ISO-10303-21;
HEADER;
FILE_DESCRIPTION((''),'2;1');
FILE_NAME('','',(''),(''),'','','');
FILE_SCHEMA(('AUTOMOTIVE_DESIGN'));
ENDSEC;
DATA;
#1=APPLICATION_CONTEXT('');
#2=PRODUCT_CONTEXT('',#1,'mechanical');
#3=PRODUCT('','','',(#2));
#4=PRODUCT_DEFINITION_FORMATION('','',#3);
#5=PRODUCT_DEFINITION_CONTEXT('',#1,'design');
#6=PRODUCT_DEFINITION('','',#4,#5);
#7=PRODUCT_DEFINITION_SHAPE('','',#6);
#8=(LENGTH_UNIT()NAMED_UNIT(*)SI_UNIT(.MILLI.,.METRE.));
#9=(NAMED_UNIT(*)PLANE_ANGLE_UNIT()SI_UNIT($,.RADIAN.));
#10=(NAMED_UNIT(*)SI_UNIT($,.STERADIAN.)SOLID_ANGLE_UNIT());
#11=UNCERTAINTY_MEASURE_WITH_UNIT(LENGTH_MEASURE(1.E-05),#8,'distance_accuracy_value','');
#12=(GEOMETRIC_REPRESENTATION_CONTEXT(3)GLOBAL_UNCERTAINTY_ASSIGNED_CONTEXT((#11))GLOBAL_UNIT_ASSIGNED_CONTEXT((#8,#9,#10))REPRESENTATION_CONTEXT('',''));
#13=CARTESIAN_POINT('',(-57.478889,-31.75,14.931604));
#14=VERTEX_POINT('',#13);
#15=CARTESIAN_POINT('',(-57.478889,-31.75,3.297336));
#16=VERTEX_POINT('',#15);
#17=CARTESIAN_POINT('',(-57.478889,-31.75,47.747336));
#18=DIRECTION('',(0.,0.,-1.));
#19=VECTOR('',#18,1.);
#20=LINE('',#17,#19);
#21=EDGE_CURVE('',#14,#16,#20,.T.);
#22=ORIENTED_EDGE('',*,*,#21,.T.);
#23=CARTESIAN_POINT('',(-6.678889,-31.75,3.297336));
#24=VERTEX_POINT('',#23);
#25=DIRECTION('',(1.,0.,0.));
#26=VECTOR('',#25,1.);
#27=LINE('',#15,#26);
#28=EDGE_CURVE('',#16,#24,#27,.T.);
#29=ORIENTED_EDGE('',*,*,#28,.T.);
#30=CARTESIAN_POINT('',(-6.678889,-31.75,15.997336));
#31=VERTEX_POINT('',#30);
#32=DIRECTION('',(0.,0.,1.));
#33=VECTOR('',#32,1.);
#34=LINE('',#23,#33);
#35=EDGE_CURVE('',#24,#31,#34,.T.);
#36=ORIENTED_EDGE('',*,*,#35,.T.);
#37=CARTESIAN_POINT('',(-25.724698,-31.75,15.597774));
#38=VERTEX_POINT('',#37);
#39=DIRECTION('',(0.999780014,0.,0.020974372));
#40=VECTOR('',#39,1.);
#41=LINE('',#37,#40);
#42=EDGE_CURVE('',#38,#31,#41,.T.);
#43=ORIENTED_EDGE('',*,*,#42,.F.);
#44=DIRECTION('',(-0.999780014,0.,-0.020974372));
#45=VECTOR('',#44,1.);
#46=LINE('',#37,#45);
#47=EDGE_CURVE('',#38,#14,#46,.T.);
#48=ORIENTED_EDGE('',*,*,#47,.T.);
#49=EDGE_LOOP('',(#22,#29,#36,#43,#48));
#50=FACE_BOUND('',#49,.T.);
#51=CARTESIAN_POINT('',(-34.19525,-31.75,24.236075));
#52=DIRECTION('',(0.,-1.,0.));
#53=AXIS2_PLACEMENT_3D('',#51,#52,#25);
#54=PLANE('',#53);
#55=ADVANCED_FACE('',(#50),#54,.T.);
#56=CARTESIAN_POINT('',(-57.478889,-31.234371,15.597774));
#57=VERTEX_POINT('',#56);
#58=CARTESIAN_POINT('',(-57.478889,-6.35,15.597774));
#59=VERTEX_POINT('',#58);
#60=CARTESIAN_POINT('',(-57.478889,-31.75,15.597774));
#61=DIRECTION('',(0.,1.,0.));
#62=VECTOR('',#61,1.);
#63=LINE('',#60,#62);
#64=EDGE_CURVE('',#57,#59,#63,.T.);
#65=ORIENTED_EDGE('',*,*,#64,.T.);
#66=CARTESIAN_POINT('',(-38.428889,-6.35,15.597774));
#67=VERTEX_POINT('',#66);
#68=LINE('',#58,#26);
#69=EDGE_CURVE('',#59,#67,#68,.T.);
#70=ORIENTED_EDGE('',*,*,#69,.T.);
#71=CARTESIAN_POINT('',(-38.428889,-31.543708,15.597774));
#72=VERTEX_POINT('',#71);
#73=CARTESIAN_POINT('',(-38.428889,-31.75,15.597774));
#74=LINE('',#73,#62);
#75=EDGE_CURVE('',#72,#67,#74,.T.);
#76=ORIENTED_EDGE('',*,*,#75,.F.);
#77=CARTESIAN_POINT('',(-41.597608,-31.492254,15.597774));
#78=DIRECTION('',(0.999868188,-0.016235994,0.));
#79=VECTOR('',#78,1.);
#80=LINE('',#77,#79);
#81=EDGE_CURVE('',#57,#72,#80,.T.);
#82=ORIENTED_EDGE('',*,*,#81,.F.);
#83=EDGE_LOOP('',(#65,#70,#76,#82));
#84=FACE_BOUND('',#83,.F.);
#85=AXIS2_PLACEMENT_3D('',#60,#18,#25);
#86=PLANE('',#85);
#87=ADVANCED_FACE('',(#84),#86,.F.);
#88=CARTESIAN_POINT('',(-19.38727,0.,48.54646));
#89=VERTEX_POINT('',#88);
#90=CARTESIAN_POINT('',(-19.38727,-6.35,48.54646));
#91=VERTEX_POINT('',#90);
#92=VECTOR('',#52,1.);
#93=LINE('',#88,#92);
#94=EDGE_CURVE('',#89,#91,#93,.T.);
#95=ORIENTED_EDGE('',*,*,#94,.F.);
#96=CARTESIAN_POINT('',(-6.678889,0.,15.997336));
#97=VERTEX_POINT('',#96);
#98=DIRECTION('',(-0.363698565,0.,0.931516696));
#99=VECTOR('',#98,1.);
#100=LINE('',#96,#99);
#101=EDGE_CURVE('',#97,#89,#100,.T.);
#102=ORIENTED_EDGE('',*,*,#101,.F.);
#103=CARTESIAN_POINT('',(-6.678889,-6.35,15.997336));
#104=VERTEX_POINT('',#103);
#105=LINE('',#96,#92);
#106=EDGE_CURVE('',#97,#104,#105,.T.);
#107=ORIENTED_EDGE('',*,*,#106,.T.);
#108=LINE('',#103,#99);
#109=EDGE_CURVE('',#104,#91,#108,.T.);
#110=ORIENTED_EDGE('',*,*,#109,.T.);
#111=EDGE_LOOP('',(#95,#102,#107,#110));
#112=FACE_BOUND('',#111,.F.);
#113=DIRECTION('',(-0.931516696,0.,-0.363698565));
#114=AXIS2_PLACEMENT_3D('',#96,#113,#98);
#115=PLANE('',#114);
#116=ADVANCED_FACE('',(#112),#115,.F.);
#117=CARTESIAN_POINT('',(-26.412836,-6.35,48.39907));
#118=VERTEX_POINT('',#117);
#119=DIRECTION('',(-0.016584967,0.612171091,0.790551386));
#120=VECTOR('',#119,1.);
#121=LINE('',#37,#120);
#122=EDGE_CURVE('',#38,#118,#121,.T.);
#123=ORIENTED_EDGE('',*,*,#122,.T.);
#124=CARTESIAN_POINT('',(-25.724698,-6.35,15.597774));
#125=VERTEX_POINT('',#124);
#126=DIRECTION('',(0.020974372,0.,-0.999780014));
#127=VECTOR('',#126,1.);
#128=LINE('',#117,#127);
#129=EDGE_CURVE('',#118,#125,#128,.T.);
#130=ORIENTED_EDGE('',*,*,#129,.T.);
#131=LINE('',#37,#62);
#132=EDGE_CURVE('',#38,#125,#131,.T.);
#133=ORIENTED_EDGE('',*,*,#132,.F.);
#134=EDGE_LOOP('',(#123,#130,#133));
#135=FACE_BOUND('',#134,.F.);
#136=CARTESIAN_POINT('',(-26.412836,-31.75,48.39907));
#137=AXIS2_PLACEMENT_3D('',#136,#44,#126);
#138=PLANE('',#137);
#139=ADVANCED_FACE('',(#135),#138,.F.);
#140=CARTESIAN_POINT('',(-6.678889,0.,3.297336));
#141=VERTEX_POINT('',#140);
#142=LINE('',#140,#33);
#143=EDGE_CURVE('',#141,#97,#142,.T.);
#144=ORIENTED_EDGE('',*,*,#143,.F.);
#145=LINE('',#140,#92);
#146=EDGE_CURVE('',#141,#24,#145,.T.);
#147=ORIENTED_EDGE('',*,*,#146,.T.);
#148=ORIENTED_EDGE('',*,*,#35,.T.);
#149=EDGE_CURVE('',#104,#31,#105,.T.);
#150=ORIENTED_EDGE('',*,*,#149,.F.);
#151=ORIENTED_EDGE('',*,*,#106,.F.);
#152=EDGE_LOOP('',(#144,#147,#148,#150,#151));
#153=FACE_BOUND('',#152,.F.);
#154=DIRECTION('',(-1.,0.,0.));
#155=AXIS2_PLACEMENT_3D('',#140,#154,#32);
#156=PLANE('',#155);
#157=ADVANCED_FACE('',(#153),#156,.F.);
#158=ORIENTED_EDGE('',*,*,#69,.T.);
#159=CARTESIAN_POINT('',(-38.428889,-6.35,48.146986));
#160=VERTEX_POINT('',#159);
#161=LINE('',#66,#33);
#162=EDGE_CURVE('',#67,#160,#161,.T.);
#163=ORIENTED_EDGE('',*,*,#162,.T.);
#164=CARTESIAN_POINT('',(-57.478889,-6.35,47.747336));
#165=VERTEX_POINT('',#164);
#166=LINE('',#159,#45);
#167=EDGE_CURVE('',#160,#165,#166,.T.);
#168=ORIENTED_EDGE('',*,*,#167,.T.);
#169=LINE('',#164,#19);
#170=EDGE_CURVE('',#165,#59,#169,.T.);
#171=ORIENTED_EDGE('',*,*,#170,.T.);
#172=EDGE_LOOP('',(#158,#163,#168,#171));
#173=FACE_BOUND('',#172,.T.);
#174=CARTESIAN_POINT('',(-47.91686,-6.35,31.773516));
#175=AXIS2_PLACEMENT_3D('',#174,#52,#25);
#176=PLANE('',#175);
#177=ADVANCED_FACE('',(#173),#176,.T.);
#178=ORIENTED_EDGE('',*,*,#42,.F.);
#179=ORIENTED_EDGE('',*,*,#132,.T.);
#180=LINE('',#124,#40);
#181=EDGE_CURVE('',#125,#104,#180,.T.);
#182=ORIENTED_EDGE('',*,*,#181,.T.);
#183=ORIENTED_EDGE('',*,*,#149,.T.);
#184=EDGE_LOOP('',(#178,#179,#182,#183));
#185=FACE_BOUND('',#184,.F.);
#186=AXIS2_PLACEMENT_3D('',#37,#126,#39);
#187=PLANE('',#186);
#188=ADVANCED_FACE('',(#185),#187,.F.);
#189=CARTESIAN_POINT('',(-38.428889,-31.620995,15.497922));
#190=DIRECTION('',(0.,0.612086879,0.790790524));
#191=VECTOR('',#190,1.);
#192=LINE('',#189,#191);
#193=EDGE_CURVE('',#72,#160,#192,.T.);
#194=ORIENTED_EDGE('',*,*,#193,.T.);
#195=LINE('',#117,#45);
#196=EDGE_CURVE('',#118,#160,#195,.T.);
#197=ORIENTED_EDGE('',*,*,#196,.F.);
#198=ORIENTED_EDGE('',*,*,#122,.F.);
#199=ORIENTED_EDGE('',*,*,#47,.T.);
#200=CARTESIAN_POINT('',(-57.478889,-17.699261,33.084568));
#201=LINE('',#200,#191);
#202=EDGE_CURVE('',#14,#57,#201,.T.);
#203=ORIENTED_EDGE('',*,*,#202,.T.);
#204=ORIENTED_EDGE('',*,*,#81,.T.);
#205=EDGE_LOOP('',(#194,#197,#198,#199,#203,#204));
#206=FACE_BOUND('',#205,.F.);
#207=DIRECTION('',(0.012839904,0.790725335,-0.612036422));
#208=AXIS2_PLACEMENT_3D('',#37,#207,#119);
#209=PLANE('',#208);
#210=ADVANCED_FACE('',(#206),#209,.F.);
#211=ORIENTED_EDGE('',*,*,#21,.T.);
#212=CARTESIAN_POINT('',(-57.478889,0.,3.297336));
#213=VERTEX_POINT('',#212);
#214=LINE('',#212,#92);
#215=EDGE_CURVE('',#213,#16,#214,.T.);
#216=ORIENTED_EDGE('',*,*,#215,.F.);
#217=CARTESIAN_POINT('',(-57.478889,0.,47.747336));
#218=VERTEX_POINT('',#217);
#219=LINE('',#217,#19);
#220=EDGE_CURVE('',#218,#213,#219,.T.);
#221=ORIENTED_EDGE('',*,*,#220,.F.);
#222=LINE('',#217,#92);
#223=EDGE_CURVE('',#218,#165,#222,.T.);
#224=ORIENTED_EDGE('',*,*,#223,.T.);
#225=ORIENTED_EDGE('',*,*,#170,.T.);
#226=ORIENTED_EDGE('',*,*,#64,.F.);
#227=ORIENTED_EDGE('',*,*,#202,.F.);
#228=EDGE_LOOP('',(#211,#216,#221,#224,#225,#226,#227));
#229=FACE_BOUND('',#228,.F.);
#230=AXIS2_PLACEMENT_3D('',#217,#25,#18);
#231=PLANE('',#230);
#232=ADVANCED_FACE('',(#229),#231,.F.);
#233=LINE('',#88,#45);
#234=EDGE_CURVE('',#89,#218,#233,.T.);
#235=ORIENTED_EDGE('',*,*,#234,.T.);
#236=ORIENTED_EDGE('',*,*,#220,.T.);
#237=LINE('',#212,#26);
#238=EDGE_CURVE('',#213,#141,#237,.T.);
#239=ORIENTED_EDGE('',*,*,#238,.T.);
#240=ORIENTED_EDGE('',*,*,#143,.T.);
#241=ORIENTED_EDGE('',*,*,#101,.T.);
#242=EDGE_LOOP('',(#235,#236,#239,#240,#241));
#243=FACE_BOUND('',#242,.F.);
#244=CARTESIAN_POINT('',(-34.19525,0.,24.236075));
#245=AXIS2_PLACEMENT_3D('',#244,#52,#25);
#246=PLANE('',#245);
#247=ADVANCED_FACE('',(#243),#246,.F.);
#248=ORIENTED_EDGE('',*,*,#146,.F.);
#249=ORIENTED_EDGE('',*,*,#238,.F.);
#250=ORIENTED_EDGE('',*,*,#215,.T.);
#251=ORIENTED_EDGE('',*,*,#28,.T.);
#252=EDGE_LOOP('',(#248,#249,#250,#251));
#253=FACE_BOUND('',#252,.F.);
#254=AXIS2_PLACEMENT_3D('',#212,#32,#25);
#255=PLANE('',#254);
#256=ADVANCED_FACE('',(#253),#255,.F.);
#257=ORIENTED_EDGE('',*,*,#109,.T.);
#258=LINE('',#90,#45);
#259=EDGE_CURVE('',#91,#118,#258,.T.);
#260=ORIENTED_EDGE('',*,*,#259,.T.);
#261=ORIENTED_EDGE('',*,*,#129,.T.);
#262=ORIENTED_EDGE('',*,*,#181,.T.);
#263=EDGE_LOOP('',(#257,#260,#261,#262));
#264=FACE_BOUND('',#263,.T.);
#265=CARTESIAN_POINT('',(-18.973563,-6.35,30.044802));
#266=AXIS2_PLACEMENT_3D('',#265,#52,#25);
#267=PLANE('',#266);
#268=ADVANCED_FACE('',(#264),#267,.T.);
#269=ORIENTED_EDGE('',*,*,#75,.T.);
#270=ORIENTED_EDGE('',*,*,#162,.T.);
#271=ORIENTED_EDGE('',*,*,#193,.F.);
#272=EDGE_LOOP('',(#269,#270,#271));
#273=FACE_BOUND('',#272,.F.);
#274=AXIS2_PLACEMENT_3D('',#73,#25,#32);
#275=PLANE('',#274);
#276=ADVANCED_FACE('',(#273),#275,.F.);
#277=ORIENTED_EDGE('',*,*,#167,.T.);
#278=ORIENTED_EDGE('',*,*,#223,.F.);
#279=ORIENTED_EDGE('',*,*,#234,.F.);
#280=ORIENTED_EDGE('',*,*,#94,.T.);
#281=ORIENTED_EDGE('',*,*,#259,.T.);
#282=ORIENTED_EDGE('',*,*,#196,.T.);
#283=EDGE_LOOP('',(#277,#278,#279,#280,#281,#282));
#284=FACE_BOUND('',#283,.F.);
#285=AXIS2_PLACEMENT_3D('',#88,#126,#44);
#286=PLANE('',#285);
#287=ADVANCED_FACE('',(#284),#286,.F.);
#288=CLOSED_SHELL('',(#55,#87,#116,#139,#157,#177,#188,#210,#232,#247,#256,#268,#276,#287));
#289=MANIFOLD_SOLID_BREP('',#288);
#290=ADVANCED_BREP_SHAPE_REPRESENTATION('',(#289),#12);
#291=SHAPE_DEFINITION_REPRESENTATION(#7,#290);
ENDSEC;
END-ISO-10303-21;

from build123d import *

# Parameters (mm, degrees)
F1_DEPTH = 31.75
F3_DEPTH = 25.4
F5_DEPTH = 32.0061992138


with BuildPart() as f1:
    # F0 (on Front) → F1 (new body)
    with BuildSketch(Plane.XZ):
        Polygon((-19.3872701909, 48.5464597168), (-57.4788887117, 47.7473361589), (-57.4788887117, 3.2973361589), (-6.6788887117, 3.2973361589), (-6.6788887117, 15.9973361589), align=None)
    extrude(amount=F1_DEPTH)

    # F2 (on face) → F3 (cut)
    with BuildSketch(Plane.XZ.offset(31.75)):
        Polygon((-38.4288887117, 15.59777438), (-38.4288887117, 48.1469858553), (-57.4788887117, 47.7473361589), (-57.4788887117, 15.59777438), align=None)
        Polygon((-25.7246979722, 15.59777438), (-6.6788887117, 15.9973361589), (-19.3872701909, 48.5464597168), (-26.4128359261, 48.3990704667), align=None)
    extrude(amount=-F3_DEPTH, mode=Mode.SUBTRACT)

    # F4 (on face) → F5 (cut, through all)
    with BuildSketch(Plane(origin=(-25.3862995067, 0, -0.5325788394), x_dir=(0, 1, 0), z_dir=(0.9997800137, 0, 0.0209743716))):
        Polygon((-31.75, 16.1339024573), (-6.35, 48.9424159686), (-31.75, 48.9424159686), align=None)
    extrude(amount=-F5_DEPTH, mode=Mode.SUBTRACT)


solid = f1.part
